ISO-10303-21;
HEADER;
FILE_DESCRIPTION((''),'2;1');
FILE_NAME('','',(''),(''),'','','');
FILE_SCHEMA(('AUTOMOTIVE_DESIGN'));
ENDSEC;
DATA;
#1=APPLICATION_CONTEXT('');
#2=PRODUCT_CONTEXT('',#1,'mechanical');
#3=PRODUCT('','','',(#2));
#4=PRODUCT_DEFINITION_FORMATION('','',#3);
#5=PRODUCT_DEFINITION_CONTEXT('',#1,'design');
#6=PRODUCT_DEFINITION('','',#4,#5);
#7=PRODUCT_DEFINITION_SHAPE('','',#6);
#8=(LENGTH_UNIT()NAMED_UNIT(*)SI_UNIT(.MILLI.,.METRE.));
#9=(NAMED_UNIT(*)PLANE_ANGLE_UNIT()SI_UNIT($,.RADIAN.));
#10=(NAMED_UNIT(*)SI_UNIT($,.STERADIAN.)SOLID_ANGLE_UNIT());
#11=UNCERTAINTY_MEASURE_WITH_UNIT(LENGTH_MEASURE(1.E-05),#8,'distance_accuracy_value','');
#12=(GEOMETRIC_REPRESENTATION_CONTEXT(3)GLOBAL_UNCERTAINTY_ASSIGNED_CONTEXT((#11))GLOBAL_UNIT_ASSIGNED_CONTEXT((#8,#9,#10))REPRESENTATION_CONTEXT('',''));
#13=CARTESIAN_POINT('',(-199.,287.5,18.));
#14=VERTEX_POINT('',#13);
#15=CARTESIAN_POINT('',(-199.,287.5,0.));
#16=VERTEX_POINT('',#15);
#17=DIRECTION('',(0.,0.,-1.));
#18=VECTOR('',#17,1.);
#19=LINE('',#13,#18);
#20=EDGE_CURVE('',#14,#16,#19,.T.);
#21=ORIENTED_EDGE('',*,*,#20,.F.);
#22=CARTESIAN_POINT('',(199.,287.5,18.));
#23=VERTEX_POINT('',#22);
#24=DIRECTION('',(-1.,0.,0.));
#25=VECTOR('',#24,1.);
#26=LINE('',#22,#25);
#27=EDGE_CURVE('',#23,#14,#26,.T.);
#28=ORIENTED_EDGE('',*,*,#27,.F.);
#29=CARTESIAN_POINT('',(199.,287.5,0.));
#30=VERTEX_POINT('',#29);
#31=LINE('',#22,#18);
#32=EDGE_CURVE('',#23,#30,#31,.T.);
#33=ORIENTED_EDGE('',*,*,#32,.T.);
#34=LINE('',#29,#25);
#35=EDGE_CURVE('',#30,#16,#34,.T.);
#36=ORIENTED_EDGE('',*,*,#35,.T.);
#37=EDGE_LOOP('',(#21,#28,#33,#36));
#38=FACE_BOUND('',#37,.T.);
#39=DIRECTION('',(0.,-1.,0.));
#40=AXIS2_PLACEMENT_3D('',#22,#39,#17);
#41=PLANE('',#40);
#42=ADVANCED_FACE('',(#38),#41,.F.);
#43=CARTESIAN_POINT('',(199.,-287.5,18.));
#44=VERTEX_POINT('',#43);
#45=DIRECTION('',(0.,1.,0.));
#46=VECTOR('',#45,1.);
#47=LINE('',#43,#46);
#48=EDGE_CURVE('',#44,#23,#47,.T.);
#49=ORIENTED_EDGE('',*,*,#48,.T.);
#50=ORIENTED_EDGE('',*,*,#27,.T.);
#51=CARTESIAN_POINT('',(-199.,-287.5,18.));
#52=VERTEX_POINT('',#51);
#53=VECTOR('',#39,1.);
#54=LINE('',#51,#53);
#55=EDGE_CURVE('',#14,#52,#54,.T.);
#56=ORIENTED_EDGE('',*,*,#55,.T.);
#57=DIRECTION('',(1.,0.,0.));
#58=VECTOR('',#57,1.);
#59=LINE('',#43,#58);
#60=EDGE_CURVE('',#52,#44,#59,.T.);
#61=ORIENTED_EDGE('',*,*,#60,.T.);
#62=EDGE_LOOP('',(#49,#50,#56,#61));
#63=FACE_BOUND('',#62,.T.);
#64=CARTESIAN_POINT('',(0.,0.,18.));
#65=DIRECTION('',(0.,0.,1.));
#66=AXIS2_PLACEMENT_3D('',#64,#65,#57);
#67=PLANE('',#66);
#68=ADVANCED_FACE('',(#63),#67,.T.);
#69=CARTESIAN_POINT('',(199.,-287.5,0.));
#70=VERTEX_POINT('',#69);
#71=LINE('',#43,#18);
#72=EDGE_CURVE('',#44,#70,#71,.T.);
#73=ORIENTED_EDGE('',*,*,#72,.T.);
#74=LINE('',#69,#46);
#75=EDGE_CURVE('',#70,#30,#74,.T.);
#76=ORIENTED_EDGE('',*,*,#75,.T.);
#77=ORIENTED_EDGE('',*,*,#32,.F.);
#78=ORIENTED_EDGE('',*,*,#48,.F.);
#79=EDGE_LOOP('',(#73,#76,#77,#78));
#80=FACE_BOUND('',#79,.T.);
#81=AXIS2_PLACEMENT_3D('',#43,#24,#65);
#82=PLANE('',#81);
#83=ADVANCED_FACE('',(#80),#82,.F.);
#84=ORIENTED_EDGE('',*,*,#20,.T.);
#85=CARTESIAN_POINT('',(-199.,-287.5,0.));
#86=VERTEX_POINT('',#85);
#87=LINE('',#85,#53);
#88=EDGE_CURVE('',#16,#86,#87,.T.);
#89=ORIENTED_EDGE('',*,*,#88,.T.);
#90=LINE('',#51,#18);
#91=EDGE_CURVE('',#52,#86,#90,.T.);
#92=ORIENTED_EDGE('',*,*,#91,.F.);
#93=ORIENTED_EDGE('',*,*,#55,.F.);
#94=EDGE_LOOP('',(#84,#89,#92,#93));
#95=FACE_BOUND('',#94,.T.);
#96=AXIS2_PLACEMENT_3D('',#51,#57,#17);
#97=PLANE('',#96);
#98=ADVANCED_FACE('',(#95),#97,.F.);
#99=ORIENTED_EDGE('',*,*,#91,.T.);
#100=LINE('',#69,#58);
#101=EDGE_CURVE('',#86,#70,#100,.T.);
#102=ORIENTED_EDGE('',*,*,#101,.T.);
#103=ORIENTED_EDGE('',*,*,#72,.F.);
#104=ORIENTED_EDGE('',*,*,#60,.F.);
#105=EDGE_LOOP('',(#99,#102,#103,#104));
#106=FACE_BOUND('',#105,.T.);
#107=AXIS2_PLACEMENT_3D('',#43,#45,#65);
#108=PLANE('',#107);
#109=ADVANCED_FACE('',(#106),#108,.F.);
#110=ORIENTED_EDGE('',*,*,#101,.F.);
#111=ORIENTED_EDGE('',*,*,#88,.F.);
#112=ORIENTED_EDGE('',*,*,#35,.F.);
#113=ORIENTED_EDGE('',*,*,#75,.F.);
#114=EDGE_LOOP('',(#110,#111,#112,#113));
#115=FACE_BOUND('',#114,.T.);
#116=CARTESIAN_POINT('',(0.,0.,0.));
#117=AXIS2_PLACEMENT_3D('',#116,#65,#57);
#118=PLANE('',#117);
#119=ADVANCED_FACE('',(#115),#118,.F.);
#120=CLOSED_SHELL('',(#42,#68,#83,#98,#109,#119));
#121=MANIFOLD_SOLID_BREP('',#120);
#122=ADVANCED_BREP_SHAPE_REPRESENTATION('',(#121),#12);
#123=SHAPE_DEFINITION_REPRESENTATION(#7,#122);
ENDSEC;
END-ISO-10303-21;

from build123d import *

# Parameters (mm, degrees)
SKETCH1_W           = 398
SKETCH1_H           = 575
BOSS_EXTRUDE1_DEPTH = 18


with BuildPart() as part:
    # Sketch1 → Boss-Extrude1 (new body)
    with BuildSketch(Plane.XY):
        Rectangle(SKETCH1_W, SKETCH1_H)
    extrude(amount=BOSS_EXTRUDE1_DEPTH)


solid = part.part
